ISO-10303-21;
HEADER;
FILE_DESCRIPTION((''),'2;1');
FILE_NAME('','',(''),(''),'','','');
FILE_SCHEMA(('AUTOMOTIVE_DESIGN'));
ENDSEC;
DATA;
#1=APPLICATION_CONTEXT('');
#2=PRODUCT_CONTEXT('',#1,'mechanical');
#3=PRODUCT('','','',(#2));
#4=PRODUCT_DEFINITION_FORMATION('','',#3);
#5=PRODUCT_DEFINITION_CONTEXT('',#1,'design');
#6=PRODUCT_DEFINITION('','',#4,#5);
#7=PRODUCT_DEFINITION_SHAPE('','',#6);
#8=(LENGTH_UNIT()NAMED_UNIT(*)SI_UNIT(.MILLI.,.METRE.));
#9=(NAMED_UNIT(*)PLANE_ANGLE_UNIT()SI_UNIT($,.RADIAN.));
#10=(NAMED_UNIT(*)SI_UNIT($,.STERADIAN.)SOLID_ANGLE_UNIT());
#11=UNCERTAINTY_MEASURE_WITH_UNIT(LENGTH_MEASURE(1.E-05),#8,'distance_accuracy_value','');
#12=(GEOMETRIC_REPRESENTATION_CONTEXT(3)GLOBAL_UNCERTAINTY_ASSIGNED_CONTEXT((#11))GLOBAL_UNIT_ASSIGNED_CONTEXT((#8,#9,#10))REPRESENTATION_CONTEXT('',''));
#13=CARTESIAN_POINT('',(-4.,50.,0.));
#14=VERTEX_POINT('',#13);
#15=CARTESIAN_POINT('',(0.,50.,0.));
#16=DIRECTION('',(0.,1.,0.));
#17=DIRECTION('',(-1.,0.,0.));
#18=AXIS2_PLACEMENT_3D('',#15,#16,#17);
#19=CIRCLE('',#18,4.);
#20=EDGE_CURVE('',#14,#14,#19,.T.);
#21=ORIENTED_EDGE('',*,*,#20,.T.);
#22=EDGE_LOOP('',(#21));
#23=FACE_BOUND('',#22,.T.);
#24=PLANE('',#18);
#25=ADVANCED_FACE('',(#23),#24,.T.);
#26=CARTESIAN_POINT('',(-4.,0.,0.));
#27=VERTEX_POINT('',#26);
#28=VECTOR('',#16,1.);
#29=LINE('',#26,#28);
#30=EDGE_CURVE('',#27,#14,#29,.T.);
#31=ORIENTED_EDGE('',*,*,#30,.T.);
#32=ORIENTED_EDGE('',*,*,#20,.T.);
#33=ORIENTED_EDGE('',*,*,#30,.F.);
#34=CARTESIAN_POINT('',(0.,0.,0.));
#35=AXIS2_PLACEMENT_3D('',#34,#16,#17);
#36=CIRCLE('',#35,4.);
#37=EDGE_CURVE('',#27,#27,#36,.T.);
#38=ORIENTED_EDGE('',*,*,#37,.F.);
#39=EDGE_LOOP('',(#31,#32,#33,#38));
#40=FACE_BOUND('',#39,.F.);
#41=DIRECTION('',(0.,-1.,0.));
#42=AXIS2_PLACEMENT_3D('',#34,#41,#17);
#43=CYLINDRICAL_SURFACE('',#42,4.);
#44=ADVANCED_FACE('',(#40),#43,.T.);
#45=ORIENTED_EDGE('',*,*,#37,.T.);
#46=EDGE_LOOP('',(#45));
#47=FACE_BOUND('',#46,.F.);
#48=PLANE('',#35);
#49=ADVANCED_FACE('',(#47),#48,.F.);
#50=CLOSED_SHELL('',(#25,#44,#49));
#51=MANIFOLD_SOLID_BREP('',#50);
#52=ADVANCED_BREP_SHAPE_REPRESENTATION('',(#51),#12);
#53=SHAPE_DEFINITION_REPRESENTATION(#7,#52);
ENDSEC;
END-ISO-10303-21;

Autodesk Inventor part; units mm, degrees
ref_plane "YZ Plane" through (0, 0, 0) normal (1, 0, 0) x (0, 1, 0)
ref_plane "XZ Plane" through (0, 0, 0) normal (0, 1, 0) x (-1, 0, 0)
ref_plane "XY Plane" through (0, 0, 0) normal (0, 0, 1) x (1, 0, 0)
sketch "Sketch1" plane through (0, 0, 0) normal (0, 1, 0) x (-1, 0, 0)
  circle A0 centre (0, 0) radius 4
  dimension "d0" = 8
extrude "Extrusion1" add sketch "Sketch1" along normal blind 50
properties part number "psantes"
